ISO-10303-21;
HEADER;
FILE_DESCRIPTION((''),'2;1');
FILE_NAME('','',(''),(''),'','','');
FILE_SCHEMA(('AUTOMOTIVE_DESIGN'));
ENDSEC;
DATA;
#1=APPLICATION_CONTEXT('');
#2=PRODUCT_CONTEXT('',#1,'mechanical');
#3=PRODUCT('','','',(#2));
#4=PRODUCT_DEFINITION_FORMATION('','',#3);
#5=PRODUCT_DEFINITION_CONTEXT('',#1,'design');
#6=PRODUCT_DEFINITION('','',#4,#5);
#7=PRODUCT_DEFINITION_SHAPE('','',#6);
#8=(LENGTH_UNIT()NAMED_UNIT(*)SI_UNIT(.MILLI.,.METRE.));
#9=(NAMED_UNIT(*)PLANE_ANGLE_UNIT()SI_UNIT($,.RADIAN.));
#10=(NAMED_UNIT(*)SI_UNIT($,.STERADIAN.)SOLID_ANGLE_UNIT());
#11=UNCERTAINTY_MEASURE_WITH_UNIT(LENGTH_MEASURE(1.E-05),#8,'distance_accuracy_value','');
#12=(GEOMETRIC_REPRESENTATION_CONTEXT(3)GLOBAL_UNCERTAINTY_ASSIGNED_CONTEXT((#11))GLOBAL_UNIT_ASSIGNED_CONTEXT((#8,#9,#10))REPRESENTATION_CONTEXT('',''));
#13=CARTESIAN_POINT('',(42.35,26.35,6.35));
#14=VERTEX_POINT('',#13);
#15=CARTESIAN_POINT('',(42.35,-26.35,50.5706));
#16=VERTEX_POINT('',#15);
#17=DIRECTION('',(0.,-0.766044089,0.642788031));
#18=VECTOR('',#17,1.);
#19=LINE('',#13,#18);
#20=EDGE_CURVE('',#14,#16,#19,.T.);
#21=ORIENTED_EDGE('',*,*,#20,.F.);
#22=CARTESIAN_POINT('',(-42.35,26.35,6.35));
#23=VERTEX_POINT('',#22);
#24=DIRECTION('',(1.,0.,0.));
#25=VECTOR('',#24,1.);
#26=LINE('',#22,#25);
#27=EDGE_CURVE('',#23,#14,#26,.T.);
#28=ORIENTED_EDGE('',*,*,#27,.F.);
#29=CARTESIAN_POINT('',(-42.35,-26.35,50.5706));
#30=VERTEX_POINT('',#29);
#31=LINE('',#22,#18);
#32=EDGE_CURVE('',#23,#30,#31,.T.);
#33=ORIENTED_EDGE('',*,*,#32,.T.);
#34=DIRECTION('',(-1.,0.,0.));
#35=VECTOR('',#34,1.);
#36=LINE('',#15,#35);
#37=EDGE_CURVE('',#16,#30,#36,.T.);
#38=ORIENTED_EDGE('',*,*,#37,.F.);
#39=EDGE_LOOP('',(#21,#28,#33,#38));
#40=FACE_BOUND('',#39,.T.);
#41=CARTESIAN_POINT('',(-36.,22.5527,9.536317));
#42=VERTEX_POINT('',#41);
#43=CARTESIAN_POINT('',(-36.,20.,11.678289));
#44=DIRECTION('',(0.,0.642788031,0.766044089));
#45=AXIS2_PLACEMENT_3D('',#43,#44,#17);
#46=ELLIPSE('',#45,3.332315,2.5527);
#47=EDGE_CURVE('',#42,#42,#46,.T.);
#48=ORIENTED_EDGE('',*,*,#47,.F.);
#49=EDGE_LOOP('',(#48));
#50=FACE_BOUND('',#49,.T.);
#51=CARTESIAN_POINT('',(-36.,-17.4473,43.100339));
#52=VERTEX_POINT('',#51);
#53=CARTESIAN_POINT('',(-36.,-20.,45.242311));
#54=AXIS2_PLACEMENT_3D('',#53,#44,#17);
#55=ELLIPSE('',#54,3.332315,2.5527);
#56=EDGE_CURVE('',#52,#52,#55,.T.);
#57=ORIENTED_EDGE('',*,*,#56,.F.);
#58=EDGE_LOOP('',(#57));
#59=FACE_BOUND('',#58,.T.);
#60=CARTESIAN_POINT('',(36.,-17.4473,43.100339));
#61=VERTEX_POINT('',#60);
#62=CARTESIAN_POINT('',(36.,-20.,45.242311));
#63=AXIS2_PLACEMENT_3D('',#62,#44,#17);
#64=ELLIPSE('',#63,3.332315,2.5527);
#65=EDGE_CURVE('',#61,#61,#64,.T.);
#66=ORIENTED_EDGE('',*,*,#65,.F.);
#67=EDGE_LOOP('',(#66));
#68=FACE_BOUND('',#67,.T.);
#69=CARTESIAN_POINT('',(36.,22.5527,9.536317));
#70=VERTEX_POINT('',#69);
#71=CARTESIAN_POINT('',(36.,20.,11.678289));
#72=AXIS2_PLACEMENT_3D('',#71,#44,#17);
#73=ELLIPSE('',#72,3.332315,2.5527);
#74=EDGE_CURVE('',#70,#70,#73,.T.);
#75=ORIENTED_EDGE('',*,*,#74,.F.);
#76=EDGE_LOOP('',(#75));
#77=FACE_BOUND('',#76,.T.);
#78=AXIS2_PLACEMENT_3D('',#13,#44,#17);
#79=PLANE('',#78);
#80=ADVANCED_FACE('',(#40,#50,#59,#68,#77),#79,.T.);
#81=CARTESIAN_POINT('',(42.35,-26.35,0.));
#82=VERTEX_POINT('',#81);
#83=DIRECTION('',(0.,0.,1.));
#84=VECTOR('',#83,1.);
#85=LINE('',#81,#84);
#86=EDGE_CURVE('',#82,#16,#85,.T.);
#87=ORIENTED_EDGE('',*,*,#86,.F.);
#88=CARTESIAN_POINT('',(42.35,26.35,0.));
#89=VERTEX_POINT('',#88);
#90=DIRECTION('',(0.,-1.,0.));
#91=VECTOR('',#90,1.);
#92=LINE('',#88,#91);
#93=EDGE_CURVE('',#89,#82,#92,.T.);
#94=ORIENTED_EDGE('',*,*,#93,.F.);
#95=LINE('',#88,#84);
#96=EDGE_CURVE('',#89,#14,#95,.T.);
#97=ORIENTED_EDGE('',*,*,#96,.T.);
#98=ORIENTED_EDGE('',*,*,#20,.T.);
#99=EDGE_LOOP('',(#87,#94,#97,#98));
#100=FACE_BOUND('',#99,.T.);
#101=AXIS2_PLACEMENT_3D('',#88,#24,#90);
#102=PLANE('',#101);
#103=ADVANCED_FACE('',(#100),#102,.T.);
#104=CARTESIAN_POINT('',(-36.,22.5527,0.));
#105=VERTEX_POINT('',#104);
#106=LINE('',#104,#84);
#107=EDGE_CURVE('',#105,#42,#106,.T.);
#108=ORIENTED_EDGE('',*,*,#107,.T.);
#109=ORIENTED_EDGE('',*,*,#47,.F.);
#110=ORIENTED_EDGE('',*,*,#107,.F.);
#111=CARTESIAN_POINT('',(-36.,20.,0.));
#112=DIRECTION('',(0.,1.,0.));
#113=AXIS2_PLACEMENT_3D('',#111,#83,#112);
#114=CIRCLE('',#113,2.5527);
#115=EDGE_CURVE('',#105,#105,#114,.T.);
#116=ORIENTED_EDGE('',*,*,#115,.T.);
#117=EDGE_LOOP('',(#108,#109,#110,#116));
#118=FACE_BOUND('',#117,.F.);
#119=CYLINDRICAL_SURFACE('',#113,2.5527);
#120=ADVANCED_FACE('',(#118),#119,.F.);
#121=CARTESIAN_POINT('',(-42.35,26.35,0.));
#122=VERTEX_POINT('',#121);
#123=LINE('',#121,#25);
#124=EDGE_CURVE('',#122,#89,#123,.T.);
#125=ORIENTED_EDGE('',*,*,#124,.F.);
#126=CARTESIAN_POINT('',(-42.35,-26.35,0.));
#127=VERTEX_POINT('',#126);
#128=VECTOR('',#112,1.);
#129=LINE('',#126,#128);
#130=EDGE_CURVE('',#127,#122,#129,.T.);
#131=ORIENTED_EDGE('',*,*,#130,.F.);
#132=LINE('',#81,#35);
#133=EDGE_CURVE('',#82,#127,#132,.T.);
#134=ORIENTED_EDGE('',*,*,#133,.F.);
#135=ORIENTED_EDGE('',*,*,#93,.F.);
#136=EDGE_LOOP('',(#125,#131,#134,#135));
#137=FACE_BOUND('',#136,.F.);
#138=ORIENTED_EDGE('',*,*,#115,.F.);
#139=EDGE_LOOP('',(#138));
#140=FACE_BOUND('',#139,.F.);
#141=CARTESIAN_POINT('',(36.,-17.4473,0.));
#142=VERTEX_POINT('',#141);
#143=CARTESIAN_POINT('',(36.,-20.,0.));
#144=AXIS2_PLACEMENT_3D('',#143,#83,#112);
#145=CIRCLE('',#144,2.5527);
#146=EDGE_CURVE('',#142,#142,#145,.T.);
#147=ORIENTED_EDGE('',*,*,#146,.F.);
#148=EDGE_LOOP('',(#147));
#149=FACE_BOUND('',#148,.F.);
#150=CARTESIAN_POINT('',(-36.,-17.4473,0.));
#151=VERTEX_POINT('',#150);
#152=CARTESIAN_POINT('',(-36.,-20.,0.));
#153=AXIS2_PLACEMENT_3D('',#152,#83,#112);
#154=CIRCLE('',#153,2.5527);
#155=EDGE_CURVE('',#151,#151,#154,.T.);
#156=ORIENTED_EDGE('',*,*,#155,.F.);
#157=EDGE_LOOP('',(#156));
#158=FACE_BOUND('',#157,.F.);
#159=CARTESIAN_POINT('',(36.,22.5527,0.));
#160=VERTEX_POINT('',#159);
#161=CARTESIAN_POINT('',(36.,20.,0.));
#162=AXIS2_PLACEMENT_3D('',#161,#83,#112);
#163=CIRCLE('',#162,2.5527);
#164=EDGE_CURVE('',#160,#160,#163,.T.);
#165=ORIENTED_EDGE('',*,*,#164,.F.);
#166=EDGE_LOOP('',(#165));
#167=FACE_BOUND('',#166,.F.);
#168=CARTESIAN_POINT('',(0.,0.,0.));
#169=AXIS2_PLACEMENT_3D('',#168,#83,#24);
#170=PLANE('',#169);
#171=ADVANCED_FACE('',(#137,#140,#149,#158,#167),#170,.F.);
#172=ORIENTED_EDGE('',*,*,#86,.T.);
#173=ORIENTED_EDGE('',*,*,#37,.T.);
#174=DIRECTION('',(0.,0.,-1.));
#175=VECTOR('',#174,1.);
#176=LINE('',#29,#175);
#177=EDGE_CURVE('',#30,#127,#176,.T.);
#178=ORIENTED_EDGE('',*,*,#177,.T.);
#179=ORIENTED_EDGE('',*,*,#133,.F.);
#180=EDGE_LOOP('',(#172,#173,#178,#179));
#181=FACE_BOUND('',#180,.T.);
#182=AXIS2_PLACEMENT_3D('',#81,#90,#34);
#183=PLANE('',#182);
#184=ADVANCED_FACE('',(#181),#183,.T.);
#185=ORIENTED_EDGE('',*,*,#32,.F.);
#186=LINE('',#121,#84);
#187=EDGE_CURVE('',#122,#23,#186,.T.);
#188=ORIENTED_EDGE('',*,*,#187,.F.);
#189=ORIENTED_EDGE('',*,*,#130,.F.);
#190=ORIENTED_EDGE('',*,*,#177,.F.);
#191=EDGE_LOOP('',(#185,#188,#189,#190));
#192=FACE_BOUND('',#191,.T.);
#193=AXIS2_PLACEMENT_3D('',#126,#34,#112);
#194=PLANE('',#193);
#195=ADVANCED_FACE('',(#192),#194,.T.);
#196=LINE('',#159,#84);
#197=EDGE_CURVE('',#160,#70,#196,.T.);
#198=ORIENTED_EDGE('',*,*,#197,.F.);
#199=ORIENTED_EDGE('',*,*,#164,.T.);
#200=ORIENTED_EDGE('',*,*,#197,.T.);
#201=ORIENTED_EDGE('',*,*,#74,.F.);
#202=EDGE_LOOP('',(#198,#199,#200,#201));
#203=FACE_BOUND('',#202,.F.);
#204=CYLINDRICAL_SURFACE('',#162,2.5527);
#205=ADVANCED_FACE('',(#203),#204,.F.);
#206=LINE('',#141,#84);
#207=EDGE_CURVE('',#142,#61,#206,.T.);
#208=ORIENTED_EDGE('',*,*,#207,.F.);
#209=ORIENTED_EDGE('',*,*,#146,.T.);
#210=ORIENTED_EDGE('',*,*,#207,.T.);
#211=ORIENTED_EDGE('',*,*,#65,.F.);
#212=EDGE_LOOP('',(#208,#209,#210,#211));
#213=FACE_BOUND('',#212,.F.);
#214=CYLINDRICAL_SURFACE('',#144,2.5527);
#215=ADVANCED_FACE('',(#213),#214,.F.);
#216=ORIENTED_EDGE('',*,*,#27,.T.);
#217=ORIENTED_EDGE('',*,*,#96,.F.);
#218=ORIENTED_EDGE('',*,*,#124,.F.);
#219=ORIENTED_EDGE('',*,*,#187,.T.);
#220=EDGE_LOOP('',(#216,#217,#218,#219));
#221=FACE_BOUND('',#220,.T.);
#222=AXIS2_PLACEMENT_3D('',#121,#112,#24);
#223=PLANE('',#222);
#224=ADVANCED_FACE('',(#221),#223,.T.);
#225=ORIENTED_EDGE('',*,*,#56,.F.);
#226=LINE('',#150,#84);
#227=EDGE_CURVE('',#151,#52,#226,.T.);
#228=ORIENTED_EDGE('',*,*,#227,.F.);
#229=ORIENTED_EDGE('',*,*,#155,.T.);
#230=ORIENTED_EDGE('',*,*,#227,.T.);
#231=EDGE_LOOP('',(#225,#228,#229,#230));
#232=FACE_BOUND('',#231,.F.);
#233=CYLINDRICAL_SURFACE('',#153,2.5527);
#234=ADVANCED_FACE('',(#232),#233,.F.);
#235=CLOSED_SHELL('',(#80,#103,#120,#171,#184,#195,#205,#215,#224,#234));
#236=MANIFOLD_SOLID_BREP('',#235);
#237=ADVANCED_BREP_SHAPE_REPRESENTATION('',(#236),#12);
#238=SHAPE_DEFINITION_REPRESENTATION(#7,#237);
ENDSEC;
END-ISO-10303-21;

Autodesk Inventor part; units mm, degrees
ref_plane "YZ Plane" through (0, 0, 0) normal (1, 0, 0) x (0, 1, 0)
ref_plane "XZ Plane" through (0, 0, 0) normal (0, 1, 0) x (-1, 0, 0)
ref_plane "XY Plane" through (0, 0, 0) normal (0, 0, 1) x (1, 0, 0)
sketch "Sketch1" plane through (0, 0, 0) normal (0, 0, 1) x (1, 0, 0)
  line L0 (36, -20) -> (-36, -20) construction
  line L1 (-36, -20) -> (-36, 20) construction
  line L2 (-36, 20) -> (36, 20) construction
  line L3 (36, 20) -> (36, -20) construction
  line L4 (36, -20) -> (-36, 20) construction
  line L5 (-36, -20) -> (36, 20) construction
  line L6 (42.35, -26.35) -> (-42.35, -26.35)
  line L7 (-42.35, -26.35) -> (-42.35, 26.35)
  line L8 (-42.35, 26.35) -> (42.35, 26.35)
  line L9 (42.35, 26.35) -> (42.35, -26.35)
  line L10 (42.35, -26.35) -> (-42.35, 26.35) construction
  line L11 (-42.35, -26.35) -> (42.35, 26.35) construction
  point P0 (0, 0)
  dimension "d0" = 72
  dimension "d1" = 40
  dimension "d2" = 6.35
  dimension "d3" = 6.35
extrude "Extrusion1" add sketch "Sketch1" along normal blind 6.35
sketch "Sketch2" plane through (42.35, -26.35, 0) normal (1, 0, 0) x (0, 0, -1)
  line L0 (-6.35, 0) -> (-6.35, 52.7) projected
  line L1 (-6.35, 52.7) -> (-50.5706, 0)
  line L2 (-50.5706, 0) -> (-6.35, 0)
  point P0 (0, 26.35)
  dimension "d13" = 40
extrude "Extrusion2" add sketch "Sketch2" against normal up to surface (84.7 mm away)
hole "Hole2" at (-36, 20, 0) at (-36, -20, 0) at (36, -20, 0) at (36, 20, 0) direction (0, 0, 1) diameter 5.1054 end through all clearance for "Socket Head Cap Screw" size "#10" standard "Ansi Unified Screw Threads"
properties part number "limelight mount" material "ABS Plastic"
